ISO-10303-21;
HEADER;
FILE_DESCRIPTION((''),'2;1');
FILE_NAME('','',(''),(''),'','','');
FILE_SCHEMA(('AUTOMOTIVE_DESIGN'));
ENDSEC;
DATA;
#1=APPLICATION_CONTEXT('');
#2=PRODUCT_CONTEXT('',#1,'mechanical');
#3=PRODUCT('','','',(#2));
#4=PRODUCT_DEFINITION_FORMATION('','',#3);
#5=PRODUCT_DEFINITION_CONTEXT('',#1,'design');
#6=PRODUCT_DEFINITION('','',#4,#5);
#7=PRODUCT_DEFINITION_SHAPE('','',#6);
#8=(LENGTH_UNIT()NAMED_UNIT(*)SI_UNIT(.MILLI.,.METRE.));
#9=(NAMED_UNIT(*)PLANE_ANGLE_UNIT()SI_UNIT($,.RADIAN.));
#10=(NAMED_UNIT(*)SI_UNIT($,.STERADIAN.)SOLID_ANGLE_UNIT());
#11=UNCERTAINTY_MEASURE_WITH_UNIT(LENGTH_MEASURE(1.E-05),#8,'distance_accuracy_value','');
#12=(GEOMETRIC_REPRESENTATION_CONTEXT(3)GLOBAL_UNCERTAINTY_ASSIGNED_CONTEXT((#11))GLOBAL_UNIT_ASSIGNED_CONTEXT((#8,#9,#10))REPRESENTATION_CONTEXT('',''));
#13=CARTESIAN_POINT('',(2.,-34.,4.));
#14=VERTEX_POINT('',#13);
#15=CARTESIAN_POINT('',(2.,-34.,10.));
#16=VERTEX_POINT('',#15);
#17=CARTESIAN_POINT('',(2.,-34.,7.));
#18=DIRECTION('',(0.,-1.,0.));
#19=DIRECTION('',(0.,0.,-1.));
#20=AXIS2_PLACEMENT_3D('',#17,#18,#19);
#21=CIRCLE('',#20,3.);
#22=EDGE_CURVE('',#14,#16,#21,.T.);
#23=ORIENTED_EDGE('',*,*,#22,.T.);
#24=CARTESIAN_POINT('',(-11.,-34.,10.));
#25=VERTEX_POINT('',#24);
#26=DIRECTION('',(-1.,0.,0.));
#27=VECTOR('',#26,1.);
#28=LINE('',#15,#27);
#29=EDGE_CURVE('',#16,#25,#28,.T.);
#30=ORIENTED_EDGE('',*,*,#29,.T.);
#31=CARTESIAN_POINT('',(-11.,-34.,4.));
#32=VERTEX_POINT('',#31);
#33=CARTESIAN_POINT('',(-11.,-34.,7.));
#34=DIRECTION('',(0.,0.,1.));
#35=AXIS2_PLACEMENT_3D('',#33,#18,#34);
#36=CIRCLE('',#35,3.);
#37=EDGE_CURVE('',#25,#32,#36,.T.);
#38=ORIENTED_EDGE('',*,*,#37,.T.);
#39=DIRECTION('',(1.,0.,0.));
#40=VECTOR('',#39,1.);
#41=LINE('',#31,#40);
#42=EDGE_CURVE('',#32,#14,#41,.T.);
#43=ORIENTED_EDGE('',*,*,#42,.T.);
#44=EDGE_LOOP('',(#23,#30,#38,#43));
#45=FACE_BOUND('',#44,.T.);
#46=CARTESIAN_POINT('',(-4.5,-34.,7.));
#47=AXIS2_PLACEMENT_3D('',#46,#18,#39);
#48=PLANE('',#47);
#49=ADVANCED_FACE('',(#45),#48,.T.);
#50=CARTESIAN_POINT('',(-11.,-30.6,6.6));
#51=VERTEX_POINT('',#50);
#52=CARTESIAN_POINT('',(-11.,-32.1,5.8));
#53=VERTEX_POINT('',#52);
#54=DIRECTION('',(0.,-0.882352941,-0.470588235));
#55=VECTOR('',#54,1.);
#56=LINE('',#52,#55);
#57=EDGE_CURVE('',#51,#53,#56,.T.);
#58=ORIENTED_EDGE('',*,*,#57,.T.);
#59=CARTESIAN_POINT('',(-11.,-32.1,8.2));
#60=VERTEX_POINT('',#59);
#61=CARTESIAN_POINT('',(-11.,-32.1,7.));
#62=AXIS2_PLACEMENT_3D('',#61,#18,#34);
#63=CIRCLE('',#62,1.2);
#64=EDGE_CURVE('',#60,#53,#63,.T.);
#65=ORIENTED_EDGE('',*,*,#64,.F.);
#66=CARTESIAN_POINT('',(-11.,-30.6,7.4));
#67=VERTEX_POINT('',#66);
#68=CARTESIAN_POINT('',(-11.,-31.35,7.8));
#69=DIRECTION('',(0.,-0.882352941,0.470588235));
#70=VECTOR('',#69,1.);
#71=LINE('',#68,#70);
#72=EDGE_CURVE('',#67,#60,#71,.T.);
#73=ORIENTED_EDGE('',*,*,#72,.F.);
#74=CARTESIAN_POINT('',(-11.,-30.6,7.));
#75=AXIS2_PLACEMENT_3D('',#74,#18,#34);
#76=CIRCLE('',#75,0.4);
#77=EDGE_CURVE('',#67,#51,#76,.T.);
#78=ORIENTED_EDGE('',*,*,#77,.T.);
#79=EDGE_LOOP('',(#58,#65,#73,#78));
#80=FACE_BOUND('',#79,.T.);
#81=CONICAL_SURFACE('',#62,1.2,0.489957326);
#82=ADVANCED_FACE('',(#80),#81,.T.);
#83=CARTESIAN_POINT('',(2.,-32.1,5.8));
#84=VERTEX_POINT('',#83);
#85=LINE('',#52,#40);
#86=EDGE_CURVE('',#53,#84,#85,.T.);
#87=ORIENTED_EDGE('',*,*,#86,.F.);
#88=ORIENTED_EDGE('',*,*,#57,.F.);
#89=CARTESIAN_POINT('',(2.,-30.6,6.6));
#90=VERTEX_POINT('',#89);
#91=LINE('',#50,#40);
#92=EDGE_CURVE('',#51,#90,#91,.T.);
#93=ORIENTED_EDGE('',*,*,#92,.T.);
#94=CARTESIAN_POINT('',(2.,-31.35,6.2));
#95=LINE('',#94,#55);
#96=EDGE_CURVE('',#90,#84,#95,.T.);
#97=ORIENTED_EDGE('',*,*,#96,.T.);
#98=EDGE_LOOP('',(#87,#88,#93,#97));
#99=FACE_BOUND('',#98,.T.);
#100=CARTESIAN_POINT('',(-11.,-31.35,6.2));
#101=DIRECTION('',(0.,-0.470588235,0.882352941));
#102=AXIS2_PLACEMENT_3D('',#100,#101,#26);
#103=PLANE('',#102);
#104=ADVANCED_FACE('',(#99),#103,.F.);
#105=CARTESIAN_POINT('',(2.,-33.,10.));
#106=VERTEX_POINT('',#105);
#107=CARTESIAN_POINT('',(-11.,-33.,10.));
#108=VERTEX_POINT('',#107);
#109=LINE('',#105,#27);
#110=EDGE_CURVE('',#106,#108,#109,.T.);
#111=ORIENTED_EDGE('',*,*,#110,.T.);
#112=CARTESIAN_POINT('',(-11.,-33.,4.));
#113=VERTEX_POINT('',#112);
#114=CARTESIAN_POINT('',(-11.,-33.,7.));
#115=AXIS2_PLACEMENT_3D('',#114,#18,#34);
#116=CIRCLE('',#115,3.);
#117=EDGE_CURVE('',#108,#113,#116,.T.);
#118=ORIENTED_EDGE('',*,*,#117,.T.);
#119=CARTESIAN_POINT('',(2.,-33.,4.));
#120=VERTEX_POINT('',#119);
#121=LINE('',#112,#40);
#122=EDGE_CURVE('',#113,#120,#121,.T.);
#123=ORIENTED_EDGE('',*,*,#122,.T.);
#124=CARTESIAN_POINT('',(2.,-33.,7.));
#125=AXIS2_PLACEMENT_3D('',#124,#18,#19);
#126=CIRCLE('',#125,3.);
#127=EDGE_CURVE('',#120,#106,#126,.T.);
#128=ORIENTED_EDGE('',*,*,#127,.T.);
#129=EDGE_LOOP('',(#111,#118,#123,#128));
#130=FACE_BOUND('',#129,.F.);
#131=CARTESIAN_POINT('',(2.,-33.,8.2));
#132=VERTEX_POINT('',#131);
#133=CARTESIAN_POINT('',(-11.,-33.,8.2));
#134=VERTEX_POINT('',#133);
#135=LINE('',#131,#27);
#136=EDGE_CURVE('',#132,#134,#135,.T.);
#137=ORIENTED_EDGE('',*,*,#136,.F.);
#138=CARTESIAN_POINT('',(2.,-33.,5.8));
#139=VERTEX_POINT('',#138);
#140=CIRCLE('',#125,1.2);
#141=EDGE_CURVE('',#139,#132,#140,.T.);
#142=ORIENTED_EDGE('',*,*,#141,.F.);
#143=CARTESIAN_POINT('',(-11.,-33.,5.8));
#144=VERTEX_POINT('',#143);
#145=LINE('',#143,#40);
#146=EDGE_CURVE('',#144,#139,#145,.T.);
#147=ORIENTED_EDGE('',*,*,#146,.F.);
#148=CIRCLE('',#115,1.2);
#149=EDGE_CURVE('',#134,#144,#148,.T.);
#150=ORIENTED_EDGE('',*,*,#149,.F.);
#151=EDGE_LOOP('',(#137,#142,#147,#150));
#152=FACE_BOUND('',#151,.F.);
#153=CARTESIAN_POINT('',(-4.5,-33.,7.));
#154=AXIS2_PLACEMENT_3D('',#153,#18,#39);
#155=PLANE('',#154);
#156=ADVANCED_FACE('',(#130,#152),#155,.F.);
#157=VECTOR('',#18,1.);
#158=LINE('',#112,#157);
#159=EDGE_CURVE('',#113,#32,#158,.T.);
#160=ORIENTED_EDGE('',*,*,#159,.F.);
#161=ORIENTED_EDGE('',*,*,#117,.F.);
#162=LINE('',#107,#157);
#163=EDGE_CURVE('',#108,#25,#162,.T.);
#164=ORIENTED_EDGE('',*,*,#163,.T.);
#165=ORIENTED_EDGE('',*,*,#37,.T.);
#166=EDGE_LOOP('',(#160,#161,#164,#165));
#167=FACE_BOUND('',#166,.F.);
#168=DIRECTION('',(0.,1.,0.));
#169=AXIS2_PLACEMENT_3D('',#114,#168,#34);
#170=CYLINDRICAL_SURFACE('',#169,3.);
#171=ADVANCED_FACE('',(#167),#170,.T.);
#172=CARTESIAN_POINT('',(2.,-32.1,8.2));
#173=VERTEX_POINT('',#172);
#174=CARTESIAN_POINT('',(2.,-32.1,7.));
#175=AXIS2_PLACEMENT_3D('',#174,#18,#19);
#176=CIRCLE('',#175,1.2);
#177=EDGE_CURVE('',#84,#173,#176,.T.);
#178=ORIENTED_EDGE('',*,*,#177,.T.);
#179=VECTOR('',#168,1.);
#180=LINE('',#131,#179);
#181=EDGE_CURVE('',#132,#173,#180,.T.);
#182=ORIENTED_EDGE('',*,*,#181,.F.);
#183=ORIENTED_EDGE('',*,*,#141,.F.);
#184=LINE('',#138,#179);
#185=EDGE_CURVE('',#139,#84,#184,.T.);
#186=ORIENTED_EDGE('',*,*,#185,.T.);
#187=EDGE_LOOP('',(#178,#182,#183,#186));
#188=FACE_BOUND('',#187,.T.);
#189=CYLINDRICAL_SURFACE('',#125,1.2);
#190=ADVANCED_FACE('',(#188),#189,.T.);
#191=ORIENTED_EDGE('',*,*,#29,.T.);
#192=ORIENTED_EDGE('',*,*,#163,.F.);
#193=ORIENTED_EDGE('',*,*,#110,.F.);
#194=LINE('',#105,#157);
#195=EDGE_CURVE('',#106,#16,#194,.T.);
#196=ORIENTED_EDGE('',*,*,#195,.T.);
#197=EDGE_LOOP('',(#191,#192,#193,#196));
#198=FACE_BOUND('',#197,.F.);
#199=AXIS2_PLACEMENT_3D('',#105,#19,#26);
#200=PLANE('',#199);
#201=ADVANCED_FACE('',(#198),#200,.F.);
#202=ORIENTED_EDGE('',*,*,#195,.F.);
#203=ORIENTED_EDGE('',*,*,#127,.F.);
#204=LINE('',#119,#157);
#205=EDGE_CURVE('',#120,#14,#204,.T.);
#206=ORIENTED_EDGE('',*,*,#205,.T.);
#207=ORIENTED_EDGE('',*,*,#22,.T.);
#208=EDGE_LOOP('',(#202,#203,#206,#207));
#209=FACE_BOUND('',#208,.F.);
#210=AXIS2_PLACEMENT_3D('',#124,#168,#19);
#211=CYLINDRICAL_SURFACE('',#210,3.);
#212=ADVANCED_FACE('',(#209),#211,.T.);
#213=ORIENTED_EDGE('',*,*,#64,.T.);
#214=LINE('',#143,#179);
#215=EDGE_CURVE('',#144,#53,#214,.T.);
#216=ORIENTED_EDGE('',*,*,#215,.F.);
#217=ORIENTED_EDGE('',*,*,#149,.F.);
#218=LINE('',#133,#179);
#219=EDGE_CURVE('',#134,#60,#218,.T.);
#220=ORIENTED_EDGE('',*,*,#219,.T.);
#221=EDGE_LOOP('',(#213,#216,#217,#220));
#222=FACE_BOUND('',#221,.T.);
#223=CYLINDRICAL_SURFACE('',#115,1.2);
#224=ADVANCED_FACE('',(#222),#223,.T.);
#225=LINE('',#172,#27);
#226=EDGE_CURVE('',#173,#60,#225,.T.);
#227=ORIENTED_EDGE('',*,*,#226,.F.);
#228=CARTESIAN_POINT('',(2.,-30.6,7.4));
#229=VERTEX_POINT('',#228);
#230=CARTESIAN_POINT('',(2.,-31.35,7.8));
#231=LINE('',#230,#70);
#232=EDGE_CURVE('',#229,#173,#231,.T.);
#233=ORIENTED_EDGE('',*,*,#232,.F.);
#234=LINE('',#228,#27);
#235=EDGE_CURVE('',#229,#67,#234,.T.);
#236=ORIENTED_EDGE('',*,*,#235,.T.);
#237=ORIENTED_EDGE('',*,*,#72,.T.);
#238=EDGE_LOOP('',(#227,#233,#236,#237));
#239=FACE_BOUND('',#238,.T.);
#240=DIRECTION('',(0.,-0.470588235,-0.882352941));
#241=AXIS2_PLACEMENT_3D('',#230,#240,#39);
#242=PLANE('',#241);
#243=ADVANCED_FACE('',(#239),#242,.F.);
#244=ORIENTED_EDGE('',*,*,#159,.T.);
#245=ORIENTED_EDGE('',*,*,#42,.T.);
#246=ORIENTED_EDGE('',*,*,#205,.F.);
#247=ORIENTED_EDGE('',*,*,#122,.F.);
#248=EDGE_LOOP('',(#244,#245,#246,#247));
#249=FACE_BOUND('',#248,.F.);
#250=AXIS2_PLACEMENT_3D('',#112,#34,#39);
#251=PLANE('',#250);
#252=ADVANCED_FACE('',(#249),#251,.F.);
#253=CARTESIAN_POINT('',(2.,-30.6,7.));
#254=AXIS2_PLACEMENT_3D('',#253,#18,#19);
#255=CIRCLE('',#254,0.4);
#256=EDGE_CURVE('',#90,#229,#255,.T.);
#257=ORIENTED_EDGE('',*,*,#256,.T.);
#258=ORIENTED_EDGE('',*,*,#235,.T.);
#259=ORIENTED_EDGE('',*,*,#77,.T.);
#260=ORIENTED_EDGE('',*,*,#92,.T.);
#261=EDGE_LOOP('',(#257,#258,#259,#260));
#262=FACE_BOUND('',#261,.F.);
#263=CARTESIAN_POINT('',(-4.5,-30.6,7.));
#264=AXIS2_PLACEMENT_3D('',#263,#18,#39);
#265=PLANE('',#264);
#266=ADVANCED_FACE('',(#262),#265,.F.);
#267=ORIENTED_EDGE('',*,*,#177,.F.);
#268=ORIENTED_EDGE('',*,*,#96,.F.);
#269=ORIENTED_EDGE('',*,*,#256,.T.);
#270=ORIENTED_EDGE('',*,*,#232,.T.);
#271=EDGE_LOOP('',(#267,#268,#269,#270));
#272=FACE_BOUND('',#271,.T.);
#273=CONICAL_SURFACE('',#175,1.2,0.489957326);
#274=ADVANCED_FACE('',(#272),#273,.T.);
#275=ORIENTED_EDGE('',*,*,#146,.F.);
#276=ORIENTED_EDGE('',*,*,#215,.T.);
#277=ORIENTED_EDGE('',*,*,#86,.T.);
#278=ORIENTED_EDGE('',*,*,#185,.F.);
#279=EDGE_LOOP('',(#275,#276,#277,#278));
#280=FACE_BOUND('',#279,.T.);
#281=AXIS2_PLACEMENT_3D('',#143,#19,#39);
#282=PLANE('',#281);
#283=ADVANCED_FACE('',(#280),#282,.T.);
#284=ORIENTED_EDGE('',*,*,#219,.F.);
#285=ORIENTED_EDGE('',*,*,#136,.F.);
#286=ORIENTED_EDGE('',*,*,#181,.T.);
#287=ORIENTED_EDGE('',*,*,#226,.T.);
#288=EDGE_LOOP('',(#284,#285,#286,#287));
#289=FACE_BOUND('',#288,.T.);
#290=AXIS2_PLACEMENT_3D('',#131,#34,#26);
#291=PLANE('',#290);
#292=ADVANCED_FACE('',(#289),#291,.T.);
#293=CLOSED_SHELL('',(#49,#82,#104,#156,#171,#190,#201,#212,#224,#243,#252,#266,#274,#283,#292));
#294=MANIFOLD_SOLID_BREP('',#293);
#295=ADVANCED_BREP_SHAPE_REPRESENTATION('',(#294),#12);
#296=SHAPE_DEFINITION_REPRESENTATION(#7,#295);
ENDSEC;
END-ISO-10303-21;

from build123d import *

# Parameters (mm, degrees)
EXTRUDE010_DEPTH = 1
EXTRUDE009_DEPTH = 2.4
CHAMFER005_SIZE2 = 1.5
CHAMFER005_SIZE  = 0.8


with BuildPart() as extrude010:
    # Sketch011 (on Sketch) → Extrude010 (new body)
    with BuildSketch(Plane.XZ.offset(33)):
        with BuildLine():
            ThreePointArc((-11, 10), (-14, 7), (-11, 4))
            Line((-11, 4), (2, 4))
            ThreePointArc((2, 4), (5, 7), (2, 10))
            Line((2, 10), (-11, 10))
        make_face()
    extrude(amount=EXTRUDE010_DEPTH)


with BuildPart() as deckel_microsd001:
    # Sketch010 (on Sketch) → Extrude009 (new body)
    with BuildSketch(Plane.XZ.offset(33)):
        with BuildLine():
            ThreePointArc((-11, 8.2), (-12.2, 7), (-11, 5.8))
            Line((-11, 5.8), (2, 5.8))
            ThreePointArc((2, 5.8), (3.2, 7), (2, 8.2))
            Line((2, 8.2), (-11, 8.2))
        make_face()
    extrude(amount=-EXTRUDE009_DEPTH)

    # Connect002: union Extrude010
    add(extrude010.part)

    # Chamfer005
    chamfer005_edges = [deckel_microsd001.edges().sort_by_distance(p)[0] for p in [
        (-4.5, -30.6, 8.2),
    ]]
    chamfer005_side = deckel_microsd001.faces().sort_by_distance((-4.5, -30.6, 7))[0]
    chamfer(chamfer005_edges, length=CHAMFER005_SIZE, length2=CHAMFER005_SIZE2, reference=chamfer005_side)


solid = deckel_microsd001.part
